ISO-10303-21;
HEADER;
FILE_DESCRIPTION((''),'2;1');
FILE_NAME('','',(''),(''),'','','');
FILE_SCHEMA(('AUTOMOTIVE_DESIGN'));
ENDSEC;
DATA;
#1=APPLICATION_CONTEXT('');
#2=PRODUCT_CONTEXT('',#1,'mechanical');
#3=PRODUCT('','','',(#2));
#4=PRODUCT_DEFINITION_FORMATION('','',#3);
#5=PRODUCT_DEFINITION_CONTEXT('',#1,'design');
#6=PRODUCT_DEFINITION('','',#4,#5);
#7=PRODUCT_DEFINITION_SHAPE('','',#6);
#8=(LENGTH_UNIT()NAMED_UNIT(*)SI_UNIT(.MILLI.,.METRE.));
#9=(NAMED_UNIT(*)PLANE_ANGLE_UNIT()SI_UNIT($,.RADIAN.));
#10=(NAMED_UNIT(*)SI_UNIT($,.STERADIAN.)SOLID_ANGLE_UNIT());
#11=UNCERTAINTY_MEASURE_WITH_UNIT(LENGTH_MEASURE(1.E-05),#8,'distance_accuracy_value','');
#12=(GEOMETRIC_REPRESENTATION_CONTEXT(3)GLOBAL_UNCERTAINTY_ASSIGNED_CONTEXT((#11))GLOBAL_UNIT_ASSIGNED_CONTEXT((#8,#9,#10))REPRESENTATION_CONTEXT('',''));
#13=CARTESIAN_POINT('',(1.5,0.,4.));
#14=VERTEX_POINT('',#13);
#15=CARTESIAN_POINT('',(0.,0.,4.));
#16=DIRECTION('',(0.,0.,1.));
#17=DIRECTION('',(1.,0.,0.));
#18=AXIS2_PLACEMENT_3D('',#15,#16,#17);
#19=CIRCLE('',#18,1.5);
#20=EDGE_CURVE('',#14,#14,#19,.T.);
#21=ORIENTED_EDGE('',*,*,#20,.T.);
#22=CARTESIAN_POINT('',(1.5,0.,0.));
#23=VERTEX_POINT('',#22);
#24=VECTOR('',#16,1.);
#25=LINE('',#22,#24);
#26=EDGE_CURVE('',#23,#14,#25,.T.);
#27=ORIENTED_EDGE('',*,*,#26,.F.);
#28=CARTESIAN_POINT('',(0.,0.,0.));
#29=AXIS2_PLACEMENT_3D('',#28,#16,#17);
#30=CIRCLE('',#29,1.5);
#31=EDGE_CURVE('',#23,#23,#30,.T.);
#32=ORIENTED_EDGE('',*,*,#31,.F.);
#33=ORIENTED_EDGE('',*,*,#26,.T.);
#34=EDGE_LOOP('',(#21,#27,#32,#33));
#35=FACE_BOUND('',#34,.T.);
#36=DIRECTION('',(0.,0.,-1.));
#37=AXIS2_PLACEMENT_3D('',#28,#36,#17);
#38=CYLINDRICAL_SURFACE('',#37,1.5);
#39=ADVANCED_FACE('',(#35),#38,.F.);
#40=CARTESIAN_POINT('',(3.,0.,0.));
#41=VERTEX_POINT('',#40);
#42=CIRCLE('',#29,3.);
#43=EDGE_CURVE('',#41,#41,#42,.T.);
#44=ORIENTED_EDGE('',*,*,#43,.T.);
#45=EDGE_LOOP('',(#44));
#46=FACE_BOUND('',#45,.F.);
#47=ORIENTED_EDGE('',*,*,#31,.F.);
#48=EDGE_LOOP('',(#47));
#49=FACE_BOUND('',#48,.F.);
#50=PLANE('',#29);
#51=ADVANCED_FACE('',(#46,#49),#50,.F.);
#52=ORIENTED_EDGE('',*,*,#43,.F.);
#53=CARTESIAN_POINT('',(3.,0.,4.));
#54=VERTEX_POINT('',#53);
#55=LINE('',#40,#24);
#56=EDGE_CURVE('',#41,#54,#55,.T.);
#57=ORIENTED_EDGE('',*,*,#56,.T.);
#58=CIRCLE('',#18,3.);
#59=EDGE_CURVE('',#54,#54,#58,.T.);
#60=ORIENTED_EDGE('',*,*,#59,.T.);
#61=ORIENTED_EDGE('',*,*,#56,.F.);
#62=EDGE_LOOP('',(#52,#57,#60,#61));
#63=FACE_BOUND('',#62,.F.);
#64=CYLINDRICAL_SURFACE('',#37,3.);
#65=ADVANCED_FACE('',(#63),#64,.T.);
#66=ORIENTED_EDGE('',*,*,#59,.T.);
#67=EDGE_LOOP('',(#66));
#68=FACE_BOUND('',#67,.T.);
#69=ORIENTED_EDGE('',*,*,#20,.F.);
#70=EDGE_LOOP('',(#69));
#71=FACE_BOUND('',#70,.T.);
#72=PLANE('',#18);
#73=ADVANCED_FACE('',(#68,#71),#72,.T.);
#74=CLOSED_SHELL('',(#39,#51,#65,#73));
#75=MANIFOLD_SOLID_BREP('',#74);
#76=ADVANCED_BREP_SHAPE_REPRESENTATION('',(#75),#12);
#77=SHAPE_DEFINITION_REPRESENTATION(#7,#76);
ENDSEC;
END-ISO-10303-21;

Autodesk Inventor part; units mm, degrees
ref_plane "YZ Plane" through (0, 0, 0) normal (1, 0, 0) x (0, 1, 0)
ref_plane "XZ Plane" through (0, 0, 0) normal (0, 1, 0) x (-1, 0, 0)
ref_plane "XY Plane" through (0, 0, 0) normal (0, 0, 1) x (1, 0, 0)
sketch "スケッチ1" plane through (0, 0, 0) normal (0, 0, 1) x (1, 0, 0)
  circle A0 centre (0, 0) radius 1.5
  circle A1 centre (0, 0) radius 3
  dimension "d0" = 3
  dimension "d1" = 6
extrude "押し出し1" add sketch "スケッチ1" along normal blind 4
thread "ねじ1" size "M3x0.5" class "6H" standard "ANSI Metric M Profile" full length
equation "\"d1\" = 2 * d0"
properties part number "中空Alスペーサー M3 L4" material "アルミニウム"
